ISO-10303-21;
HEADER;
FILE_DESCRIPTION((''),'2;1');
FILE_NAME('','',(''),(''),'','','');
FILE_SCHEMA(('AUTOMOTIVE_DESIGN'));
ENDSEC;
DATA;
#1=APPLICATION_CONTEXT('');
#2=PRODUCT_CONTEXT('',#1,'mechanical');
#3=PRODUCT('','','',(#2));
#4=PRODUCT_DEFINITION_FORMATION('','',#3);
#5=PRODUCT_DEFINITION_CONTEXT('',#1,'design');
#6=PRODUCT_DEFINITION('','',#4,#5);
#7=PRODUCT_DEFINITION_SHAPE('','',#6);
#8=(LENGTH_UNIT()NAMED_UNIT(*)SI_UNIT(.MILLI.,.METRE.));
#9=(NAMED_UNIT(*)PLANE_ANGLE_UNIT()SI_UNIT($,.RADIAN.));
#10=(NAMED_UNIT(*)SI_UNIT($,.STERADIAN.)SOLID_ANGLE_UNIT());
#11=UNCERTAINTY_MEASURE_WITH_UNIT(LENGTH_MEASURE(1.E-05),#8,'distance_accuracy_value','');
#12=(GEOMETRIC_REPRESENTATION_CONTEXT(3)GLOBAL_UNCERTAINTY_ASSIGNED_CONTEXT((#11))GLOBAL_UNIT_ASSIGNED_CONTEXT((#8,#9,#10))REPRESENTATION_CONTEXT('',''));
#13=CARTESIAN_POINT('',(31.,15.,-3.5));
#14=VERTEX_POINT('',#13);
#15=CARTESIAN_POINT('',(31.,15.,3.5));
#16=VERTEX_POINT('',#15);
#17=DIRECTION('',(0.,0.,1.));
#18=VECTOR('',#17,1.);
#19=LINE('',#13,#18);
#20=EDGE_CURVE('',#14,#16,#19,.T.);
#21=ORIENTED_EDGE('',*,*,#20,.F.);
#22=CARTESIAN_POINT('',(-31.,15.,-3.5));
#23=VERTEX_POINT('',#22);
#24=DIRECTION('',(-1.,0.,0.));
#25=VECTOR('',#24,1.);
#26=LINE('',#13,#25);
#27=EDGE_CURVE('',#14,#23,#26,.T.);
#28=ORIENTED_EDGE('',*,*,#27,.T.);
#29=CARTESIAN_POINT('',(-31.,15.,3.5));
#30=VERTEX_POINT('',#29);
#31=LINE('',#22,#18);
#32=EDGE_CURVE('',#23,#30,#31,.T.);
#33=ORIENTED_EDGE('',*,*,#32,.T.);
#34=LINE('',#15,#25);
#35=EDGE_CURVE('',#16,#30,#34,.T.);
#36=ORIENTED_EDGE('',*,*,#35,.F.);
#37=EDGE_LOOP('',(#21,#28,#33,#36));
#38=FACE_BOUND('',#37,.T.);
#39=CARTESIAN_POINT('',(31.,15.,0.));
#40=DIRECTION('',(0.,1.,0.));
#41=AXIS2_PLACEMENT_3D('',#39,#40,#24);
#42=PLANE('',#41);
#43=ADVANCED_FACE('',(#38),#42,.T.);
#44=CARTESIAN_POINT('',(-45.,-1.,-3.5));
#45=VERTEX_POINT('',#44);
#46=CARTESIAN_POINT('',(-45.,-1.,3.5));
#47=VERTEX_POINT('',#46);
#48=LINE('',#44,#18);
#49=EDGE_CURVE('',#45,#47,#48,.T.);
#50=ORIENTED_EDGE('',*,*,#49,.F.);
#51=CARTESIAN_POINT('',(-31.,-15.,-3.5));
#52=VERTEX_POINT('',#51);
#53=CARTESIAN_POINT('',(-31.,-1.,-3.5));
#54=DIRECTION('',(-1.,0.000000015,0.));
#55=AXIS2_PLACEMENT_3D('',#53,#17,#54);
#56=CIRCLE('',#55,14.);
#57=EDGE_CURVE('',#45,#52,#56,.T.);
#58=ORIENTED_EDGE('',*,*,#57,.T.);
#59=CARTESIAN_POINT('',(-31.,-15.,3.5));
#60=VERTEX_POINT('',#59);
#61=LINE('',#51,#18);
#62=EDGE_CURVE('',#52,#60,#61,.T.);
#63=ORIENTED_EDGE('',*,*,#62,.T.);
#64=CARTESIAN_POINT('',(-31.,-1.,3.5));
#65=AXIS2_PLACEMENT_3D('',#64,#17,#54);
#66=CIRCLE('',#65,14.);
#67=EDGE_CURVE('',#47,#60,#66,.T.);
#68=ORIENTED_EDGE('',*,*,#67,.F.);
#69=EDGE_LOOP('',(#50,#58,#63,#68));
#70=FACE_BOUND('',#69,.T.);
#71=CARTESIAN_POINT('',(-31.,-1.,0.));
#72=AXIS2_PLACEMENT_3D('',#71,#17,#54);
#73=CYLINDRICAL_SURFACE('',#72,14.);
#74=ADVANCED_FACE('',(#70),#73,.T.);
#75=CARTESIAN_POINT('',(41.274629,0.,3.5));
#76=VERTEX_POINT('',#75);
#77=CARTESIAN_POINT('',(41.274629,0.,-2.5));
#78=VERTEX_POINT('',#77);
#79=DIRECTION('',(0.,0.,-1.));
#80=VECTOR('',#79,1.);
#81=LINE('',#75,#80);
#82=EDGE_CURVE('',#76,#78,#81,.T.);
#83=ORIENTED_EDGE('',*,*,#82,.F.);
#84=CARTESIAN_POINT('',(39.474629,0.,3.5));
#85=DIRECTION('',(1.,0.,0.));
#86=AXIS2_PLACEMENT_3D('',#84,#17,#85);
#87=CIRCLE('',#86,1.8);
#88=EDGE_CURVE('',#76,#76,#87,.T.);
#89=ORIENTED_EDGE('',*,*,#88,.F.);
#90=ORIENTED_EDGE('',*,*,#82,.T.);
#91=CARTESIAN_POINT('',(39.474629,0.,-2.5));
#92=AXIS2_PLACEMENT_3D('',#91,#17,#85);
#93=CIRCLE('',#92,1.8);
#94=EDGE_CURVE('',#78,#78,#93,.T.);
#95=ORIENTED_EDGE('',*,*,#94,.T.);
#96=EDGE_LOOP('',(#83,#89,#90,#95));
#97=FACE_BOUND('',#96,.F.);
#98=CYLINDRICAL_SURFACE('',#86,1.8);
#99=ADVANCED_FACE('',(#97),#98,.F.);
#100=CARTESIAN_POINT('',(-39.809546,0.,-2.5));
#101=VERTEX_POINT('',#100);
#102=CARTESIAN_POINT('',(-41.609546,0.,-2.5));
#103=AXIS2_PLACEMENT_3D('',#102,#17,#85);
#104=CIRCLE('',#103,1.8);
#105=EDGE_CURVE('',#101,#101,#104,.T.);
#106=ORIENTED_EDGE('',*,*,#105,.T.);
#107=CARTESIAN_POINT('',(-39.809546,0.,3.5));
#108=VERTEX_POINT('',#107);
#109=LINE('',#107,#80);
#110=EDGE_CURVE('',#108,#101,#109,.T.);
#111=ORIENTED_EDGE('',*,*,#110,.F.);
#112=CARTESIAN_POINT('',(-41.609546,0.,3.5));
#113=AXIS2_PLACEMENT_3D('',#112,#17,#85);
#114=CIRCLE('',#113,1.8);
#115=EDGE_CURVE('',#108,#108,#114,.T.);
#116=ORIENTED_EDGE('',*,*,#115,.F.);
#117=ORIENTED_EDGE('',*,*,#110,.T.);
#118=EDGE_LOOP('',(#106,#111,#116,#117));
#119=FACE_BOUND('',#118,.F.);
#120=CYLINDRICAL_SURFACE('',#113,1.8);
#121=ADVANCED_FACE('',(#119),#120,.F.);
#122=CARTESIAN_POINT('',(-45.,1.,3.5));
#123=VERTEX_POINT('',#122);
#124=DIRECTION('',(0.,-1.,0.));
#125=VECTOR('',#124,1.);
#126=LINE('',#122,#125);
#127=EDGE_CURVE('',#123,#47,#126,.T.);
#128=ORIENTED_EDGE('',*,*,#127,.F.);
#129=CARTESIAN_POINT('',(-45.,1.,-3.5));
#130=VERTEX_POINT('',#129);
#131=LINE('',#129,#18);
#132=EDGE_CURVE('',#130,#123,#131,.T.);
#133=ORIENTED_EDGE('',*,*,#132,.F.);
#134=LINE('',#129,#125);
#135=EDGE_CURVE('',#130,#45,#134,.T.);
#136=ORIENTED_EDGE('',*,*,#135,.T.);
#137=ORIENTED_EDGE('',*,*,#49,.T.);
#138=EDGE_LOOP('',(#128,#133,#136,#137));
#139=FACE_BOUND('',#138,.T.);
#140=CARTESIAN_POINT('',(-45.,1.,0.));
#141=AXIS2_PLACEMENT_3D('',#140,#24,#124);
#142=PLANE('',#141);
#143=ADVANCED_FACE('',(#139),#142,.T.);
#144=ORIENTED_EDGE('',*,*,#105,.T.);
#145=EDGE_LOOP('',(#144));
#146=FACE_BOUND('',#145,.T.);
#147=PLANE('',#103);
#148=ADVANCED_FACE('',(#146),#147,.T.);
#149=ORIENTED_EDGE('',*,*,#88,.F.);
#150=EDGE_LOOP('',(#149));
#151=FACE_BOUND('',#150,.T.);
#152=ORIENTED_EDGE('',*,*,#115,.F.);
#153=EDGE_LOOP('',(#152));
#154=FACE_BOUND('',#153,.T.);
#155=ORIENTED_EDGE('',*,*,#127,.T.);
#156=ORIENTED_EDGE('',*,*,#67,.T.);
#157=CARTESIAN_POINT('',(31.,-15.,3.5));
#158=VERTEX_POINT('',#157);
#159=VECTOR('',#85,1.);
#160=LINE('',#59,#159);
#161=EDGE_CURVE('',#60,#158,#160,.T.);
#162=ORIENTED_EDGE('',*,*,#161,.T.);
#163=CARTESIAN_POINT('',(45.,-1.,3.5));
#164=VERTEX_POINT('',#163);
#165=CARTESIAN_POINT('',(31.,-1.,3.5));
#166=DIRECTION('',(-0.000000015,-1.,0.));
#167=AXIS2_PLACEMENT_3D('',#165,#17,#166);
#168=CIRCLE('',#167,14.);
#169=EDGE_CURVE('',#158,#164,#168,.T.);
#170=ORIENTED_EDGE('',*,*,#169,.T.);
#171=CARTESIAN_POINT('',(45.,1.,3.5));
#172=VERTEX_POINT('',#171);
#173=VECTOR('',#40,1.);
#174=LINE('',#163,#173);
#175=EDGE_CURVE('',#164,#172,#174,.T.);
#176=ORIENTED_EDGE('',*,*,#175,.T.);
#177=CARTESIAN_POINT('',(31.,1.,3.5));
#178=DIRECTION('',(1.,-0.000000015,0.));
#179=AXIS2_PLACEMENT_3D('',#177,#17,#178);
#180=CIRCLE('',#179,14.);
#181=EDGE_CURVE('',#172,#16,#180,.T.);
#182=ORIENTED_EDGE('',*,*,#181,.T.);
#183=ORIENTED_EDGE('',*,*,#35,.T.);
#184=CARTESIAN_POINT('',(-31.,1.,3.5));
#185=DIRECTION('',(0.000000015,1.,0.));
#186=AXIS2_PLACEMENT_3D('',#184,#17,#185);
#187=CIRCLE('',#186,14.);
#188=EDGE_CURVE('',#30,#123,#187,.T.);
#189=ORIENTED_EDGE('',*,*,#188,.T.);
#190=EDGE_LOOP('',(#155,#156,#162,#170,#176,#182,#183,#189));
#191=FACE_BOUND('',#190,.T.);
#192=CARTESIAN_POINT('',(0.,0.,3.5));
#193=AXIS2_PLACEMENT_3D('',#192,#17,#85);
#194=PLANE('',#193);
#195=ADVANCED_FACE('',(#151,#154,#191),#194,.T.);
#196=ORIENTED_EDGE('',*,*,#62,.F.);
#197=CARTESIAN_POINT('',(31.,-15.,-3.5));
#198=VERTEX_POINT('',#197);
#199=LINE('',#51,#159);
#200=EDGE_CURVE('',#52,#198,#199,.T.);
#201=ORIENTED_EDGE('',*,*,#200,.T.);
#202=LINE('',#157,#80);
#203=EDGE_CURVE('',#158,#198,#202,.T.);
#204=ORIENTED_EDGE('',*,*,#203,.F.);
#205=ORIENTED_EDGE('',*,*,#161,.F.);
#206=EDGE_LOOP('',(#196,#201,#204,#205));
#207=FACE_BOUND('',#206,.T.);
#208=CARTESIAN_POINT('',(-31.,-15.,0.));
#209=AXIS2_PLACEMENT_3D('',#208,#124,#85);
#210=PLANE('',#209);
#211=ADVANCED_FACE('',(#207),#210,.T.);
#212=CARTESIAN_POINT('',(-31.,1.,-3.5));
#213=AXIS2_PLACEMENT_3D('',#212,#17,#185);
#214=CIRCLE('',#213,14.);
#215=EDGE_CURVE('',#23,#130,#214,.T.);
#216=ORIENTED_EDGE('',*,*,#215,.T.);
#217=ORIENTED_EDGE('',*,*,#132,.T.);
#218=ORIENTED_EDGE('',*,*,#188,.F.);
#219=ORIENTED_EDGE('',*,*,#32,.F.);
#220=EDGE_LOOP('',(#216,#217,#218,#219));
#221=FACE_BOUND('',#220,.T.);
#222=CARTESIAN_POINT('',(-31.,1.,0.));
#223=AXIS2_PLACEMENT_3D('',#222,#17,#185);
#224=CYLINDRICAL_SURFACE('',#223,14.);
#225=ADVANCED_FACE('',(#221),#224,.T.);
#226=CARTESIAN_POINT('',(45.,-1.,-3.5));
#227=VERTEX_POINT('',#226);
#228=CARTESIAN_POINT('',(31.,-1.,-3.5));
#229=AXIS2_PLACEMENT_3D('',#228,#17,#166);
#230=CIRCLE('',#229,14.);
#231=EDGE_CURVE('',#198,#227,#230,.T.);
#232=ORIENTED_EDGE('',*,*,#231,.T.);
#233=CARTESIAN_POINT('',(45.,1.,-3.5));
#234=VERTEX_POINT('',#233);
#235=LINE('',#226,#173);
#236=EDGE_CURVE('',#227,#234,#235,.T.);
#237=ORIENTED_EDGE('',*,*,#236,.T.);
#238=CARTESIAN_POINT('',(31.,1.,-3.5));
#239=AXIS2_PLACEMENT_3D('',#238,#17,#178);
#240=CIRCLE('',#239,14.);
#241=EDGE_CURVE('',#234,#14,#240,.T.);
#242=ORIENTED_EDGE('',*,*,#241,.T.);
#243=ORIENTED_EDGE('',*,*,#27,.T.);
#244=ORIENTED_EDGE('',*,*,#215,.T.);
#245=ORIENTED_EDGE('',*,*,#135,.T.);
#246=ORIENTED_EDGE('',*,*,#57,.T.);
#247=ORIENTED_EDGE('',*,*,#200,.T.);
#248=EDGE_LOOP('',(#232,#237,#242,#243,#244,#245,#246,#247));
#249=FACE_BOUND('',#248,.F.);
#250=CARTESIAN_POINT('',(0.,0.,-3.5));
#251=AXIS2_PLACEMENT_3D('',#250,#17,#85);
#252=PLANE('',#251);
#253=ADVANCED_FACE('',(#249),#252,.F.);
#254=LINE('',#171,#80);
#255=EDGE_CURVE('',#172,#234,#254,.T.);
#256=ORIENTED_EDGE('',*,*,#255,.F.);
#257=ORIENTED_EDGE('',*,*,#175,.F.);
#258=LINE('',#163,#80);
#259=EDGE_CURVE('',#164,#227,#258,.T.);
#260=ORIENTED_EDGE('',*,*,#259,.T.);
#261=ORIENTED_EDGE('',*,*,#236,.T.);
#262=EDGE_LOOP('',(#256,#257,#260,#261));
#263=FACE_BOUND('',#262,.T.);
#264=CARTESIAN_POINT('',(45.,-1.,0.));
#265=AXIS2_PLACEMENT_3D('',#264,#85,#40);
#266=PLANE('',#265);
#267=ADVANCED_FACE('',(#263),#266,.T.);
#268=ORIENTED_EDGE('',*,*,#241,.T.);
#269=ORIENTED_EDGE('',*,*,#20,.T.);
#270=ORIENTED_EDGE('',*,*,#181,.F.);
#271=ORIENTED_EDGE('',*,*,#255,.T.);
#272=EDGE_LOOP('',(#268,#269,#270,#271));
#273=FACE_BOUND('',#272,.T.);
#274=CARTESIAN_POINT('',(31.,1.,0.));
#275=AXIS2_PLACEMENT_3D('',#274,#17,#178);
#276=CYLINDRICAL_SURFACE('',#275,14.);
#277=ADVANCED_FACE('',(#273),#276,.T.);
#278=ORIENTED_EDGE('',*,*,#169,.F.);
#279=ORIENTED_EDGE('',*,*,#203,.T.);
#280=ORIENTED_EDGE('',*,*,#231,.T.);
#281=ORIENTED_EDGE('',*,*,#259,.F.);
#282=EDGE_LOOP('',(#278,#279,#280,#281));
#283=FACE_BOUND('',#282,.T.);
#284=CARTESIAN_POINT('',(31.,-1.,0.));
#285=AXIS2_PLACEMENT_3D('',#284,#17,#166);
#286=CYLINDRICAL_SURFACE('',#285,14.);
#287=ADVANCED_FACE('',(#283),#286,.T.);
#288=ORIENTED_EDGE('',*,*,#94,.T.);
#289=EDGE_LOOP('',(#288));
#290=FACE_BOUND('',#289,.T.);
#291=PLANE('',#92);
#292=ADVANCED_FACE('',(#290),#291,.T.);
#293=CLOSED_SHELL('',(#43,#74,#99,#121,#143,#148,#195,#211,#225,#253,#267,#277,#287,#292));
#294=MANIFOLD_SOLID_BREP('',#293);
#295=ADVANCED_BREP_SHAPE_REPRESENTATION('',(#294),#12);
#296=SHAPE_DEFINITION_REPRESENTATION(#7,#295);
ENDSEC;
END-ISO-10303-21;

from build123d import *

# Parameters (mm, degrees)
F1_DEPTH = 3.5
F2_R     = 1.8
F3_DEPTH = 6
F4_R     = 1.8
F5_DEPTH = 6


with BuildPart() as f1:
    # F0 (on Top) → F1 (new body, symmetric)
    with BuildSketch(Plane.XY):
        with BuildLine():
            ThreePointArc((45, 1), (40.899495, 10.899495), (31, 15))
            Line((31, 15), (-31, 15))
            ThreePointArc((-31, 15), (-40.899495, 10.899495), (-45, 1))
            Line((-45, 1), (-45, -1))
            ThreePointArc((-45, -1), (-40.899495, -10.899495), (-31, -15))
            Line((-31, -15), (31, -15))
            ThreePointArc((31, -15), (40.899495, -10.899495), (45, -1))
            Line((45, -1), (45, 1))
        make_face()
    extrude(amount=F1_DEPTH, both=True)

    # F2 (on face) → F3 (cut)
    with BuildSketch(Plane.XY.offset(3.5)):
        with Locations((39.474629, 0)):
            Circle(F2_R)
    extrude(amount=-F3_DEPTH, mode=Mode.SUBTRACT)

    # F4 (on face) → F5 (cut)
    with BuildSketch(Plane.XY.offset(3.5)):
        with Locations((-41.609546, 0)):
            Circle(F4_R)
    extrude(amount=-F5_DEPTH, mode=Mode.SUBTRACT)


solid = f1.part
